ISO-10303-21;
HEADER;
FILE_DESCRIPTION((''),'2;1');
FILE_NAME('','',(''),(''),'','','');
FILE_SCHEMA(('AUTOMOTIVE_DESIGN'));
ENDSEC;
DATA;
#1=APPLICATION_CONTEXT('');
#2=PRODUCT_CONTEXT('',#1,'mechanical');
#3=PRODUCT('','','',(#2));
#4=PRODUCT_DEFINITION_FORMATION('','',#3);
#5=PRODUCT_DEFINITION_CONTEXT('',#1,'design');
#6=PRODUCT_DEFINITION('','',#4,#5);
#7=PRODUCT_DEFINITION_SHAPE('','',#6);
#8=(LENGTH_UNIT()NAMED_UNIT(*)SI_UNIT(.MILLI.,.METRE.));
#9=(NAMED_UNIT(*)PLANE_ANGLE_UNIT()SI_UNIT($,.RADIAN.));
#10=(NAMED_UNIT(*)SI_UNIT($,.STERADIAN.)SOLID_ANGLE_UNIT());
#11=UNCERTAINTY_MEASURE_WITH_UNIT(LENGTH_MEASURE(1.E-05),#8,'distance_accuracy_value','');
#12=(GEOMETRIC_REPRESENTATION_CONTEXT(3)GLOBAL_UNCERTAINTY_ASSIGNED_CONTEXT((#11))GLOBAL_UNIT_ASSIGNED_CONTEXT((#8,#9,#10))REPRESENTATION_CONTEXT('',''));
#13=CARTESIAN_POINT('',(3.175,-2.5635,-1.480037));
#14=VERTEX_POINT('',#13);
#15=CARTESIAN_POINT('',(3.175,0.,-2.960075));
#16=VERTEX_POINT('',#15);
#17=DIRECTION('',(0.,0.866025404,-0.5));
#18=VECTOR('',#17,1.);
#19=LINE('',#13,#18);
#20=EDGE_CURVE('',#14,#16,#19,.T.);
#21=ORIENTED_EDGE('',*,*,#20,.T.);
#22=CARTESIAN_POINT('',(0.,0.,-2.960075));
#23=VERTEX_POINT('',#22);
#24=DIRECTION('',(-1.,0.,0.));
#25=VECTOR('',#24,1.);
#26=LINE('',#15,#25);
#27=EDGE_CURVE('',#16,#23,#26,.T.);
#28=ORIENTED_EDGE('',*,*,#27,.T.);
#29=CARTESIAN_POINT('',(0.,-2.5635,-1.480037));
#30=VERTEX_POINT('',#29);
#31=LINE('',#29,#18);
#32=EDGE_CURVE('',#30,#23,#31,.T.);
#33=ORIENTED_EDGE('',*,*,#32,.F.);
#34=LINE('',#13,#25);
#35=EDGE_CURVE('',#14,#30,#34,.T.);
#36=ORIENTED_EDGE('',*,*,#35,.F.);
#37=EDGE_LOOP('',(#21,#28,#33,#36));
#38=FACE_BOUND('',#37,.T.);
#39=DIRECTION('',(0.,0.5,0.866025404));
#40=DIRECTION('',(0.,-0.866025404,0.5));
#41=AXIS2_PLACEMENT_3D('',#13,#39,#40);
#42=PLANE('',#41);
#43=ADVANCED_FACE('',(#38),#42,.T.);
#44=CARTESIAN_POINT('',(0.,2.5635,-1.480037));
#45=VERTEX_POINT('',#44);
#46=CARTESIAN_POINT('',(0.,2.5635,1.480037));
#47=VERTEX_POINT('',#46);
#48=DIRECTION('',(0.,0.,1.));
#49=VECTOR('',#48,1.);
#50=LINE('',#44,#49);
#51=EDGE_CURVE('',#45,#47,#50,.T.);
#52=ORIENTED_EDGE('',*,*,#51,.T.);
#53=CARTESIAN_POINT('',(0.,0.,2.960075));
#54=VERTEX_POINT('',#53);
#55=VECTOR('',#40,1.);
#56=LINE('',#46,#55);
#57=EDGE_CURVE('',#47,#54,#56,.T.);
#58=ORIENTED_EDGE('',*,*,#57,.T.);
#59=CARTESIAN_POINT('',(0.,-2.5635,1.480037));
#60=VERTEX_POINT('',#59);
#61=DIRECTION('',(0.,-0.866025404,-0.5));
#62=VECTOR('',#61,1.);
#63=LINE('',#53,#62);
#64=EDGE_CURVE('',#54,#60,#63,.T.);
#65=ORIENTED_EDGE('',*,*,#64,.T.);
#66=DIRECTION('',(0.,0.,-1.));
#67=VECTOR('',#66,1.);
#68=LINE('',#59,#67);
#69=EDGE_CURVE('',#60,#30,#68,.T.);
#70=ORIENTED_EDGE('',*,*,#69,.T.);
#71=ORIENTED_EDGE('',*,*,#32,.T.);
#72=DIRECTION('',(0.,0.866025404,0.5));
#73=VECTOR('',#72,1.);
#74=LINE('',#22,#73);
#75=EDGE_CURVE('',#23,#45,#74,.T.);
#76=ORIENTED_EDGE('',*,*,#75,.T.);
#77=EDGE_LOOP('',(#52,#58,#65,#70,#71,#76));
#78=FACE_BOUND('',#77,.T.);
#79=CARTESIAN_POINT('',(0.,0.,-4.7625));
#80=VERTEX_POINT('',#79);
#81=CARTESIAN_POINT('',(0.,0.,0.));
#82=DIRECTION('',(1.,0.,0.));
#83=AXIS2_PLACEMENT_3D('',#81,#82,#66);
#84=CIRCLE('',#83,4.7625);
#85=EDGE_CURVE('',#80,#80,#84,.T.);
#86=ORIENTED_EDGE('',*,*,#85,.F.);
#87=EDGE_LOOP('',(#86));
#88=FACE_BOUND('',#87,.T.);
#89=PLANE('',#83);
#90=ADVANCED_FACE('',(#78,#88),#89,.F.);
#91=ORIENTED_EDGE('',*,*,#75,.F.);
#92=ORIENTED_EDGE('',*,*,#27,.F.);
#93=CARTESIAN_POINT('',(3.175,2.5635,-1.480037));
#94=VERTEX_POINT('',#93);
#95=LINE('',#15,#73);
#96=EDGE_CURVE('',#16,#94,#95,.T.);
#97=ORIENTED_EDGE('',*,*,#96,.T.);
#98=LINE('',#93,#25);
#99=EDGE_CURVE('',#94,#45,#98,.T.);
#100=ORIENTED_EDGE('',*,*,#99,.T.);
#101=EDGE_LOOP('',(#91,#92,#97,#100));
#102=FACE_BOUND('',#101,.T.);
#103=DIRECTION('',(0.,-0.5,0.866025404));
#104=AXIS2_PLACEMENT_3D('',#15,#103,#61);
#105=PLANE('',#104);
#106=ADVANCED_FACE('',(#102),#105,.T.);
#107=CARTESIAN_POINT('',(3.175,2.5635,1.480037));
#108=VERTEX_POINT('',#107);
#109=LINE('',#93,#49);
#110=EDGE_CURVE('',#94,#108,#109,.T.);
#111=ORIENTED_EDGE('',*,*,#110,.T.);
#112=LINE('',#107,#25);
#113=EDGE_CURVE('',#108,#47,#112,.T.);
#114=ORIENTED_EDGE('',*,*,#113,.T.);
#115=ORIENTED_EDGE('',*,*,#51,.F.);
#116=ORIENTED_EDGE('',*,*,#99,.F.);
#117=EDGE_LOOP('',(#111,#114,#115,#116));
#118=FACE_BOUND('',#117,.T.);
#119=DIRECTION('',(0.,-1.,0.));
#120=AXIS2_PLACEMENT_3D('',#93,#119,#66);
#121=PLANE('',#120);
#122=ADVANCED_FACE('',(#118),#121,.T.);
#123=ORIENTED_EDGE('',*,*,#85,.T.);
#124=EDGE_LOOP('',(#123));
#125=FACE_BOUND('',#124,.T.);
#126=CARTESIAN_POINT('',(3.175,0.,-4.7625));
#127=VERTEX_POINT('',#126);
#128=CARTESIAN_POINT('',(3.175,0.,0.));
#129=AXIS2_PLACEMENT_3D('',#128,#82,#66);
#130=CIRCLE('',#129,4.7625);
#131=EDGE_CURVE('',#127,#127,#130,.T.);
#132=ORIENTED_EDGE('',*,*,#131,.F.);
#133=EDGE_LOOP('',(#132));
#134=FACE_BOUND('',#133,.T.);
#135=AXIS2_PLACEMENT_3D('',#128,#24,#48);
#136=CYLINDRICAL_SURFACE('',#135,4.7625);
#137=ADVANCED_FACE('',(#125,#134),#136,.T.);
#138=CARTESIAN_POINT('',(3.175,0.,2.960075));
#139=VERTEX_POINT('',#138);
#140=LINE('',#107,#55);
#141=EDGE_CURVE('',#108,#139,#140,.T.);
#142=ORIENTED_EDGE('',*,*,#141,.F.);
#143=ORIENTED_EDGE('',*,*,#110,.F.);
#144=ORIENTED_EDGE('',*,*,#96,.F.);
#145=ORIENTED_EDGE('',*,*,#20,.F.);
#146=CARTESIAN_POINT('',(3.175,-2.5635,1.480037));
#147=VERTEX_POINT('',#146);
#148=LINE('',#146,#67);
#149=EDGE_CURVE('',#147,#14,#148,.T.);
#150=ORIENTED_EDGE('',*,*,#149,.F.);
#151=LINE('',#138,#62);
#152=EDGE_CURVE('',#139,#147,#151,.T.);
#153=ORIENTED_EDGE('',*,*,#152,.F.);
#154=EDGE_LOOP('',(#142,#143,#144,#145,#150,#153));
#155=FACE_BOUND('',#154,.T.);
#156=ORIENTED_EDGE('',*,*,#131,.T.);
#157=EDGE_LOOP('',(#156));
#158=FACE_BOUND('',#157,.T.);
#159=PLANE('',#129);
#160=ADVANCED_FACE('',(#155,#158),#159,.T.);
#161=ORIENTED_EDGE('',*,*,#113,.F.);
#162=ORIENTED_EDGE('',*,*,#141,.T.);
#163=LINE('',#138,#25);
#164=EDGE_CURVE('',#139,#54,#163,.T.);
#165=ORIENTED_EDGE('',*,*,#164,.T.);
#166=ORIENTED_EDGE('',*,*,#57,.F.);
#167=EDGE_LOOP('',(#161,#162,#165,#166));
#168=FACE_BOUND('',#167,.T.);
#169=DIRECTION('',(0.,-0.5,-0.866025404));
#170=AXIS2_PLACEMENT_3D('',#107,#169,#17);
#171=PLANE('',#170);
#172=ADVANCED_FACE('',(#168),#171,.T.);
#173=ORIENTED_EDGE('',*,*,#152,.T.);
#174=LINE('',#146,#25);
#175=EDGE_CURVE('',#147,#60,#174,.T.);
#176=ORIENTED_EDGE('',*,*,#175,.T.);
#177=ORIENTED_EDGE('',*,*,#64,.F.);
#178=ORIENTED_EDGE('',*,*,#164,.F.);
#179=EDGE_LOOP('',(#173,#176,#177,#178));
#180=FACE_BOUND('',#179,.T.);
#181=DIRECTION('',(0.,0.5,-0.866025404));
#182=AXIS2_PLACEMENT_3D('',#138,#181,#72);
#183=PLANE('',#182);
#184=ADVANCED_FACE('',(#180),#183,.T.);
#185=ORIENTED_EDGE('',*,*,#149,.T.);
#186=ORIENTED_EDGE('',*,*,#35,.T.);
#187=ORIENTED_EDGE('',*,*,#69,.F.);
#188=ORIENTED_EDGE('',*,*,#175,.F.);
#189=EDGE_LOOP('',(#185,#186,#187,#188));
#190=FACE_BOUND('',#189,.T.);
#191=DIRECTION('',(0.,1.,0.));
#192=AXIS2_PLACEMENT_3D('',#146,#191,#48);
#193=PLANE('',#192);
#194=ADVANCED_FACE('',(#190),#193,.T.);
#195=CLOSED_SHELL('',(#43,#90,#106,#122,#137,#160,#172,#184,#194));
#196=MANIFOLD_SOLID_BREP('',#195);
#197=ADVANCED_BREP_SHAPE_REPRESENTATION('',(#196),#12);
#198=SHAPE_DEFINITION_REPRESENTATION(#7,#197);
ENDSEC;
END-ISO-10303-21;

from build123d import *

# Parameters (mm, degrees)
SKETCH1_R           = 4.7625
BOSS_EXTRUDE1_DEPTH = 3.175


with BuildPart() as part:
    # Sketch1 → Boss-Extrude1 (new body)
    with BuildSketch(Plane(origin=(0, 0, 0), x_dir=(0, 0, -1), z_dir=(1, 0, 0))):
        Circle(SKETCH1_R)
        Polygon((1.480037388, 2.563499953), (-1.480037388, 2.563499953), (-2.960074776, 0), (-1.480037388, -2.563499953), (1.480037388, -2.563499953), (2.960074776, 0), align=None, mode=Mode.SUBTRACT)
    extrude(amount=BOSS_EXTRUDE1_DEPTH)


solid = part.part
